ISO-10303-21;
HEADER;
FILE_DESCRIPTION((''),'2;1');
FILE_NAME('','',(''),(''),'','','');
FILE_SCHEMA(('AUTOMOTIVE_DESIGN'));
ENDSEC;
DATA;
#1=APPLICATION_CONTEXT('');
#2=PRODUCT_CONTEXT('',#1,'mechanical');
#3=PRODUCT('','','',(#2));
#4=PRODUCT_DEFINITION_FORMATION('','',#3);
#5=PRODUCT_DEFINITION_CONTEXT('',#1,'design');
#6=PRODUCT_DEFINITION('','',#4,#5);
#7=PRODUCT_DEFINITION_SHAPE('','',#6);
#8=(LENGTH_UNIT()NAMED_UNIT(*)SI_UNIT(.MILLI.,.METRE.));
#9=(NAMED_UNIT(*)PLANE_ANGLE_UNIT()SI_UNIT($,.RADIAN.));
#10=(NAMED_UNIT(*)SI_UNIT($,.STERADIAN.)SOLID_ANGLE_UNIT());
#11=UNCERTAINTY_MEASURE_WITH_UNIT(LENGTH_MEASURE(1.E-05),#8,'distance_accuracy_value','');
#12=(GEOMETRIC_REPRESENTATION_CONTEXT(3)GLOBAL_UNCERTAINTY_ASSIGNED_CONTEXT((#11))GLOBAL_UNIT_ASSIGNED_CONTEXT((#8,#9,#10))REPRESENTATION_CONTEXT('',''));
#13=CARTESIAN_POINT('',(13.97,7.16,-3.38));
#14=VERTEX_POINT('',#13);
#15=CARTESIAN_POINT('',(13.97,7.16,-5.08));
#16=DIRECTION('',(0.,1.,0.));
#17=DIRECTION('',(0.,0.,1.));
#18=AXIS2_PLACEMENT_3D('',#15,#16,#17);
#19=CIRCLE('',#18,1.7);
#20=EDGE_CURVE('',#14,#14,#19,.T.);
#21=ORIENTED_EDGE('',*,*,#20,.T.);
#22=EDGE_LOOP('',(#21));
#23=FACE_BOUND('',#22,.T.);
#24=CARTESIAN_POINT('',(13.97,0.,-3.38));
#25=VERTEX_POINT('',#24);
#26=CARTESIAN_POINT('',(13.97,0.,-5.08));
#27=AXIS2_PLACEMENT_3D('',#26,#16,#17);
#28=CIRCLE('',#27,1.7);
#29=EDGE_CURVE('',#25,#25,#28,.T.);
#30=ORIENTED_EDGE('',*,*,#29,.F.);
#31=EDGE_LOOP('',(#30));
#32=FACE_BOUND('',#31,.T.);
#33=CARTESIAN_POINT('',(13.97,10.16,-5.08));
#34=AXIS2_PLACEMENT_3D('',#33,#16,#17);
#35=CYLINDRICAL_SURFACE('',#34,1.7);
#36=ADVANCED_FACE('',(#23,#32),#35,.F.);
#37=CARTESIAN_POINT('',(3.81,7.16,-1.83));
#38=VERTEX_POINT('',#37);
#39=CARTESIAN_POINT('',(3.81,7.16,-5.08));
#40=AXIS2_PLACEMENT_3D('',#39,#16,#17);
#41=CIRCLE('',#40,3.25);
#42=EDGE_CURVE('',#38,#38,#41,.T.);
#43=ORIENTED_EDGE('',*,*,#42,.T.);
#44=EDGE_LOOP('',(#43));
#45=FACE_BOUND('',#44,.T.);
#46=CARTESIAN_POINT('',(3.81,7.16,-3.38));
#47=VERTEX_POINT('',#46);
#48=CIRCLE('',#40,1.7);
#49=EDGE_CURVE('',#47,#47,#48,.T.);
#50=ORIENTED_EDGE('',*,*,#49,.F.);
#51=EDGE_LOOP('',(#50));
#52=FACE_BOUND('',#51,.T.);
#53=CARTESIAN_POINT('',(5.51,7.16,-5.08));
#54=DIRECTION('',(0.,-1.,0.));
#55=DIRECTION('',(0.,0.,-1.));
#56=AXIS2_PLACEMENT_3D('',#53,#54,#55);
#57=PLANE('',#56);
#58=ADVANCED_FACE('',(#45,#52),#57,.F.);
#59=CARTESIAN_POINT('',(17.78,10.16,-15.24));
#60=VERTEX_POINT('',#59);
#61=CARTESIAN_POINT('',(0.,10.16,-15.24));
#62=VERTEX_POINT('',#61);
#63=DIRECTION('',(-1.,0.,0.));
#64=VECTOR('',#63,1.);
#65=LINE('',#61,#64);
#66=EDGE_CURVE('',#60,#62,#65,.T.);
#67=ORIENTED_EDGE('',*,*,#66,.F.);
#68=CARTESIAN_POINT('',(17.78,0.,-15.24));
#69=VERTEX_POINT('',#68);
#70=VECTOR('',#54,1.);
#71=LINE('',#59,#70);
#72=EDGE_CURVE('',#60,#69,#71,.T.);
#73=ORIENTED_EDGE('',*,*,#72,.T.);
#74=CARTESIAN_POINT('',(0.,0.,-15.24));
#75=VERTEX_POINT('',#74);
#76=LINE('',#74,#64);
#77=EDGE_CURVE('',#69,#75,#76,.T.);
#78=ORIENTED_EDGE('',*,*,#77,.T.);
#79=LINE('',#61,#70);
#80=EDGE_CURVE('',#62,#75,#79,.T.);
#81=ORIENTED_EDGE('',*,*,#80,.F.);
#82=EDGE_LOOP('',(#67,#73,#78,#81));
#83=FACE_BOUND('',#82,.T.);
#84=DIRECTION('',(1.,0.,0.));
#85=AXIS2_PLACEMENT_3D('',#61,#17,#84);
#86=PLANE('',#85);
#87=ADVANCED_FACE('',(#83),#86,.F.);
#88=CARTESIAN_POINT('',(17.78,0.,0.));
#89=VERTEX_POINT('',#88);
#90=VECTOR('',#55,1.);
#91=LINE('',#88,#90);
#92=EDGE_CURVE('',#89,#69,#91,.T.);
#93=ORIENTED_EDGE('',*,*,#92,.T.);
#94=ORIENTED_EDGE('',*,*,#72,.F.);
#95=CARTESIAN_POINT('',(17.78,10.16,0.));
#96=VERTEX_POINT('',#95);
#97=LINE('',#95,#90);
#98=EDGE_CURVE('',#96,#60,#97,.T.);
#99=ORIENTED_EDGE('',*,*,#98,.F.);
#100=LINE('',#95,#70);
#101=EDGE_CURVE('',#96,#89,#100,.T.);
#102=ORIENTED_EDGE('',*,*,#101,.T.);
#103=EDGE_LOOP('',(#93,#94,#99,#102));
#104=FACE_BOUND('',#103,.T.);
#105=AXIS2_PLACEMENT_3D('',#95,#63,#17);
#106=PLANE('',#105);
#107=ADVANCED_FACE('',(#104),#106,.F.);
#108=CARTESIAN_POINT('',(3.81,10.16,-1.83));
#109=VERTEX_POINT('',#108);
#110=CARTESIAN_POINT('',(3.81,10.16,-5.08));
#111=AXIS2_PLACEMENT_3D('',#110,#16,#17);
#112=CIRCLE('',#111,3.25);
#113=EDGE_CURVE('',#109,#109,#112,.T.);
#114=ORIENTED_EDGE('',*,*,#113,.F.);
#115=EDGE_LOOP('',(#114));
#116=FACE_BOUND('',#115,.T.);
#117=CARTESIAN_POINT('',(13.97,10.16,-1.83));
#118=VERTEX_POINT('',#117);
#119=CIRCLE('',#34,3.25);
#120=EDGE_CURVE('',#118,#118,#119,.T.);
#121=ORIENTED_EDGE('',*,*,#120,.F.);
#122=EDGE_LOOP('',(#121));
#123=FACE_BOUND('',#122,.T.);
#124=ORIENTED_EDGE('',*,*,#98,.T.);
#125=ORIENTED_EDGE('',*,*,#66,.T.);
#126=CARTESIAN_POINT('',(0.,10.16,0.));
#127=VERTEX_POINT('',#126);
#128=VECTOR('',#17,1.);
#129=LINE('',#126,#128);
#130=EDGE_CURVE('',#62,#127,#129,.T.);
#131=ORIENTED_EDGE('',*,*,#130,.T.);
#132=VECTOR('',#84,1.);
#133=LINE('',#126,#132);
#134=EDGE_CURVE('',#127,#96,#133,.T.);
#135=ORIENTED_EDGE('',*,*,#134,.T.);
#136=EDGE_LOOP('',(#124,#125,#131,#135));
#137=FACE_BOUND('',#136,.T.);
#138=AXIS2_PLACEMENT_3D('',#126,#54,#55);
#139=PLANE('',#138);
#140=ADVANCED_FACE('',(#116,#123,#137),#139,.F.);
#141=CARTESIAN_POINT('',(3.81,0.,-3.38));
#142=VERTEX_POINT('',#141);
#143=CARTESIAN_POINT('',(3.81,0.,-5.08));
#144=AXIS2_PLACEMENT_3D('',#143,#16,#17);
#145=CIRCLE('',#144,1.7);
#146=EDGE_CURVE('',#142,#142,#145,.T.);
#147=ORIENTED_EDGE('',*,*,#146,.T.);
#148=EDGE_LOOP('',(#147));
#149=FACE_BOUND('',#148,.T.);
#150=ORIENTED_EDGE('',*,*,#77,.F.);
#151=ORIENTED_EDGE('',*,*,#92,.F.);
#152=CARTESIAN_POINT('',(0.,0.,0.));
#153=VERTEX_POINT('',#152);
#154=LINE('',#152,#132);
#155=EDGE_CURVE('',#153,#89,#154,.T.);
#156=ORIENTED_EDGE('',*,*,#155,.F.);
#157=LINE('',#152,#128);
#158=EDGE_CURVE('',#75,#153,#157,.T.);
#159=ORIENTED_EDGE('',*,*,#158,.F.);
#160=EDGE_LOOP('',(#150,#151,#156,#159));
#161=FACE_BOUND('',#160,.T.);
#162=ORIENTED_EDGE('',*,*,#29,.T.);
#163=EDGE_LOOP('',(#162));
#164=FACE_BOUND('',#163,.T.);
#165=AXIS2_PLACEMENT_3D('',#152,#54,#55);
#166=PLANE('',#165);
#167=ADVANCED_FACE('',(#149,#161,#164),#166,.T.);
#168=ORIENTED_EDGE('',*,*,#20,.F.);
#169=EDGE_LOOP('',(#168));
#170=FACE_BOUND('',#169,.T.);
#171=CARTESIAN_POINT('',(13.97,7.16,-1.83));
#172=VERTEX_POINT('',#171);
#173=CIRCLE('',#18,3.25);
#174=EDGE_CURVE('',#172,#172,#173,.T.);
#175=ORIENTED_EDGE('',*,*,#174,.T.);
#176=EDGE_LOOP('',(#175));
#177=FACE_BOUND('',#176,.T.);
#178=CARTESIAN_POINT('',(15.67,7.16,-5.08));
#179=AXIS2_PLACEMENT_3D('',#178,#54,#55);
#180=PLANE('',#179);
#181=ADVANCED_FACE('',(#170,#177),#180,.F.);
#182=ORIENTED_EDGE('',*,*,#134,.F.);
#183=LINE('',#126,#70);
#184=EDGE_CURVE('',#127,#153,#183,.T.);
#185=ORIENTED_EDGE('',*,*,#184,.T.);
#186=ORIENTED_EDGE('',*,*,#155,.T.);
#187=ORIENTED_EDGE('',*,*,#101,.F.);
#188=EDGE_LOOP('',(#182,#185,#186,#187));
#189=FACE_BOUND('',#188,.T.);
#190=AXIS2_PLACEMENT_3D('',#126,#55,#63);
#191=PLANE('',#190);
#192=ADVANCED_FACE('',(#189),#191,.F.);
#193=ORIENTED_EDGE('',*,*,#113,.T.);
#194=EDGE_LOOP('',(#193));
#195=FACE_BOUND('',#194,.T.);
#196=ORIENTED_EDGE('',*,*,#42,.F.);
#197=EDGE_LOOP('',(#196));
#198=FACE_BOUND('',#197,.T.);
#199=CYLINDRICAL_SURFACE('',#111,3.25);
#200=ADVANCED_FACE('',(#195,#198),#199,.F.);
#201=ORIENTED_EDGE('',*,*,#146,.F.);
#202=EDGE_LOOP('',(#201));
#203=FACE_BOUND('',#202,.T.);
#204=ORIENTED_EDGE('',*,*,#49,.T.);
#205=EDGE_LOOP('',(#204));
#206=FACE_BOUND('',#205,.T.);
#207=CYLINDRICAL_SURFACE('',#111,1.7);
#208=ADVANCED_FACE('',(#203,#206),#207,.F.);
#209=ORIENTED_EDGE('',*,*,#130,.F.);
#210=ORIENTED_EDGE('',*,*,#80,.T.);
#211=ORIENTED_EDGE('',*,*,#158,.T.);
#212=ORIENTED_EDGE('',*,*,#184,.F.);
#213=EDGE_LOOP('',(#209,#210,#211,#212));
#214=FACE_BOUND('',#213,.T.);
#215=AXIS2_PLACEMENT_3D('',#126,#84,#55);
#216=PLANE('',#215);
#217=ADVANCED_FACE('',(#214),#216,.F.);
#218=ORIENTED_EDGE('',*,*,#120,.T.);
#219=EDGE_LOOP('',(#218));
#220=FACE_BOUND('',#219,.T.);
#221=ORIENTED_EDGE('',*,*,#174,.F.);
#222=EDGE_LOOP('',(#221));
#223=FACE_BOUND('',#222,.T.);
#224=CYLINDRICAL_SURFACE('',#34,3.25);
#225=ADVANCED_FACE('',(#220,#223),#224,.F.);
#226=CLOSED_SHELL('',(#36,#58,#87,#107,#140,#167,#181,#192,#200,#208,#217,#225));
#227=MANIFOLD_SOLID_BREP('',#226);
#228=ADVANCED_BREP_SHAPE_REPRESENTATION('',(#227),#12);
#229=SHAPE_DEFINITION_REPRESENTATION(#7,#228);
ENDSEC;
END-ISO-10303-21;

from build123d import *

# Parameters (mm, degrees)
SKETCH1_W                      = 17.78
SKETCH1_H                      = 15.24
BOSS_EXTRUDE1_DEPTH            = 10.16
CBORE_FOR_M3_SHCS1_D           = 3.4
CBORE_FOR_M3_SHCS1_CBORE_D     = 6.5
CBORE_FOR_M3_SHCS1_CBORE_DEPTH = 3


with BuildPart() as part:
    # Sketch1 → Boss-Extrude1 (new body)
    with BuildSketch(Plane(origin=(0, 0, 0), x_dir=(1, 0, 0), z_dir=(0, 1, 0))):
        with Locations((8.89, 7.62)):
            Rectangle(SKETCH1_W, SKETCH1_H)
    extrude(amount=BOSS_EXTRUDE1_DEPTH)

    # CBORE for M3 SHCS1 (through all)
    with Locations(Plane(origin=(0, 10.16, 0), x_dir=(1, 0, 0), z_dir=(0, 1, 0))):
        with Locations((3.81, 5.08), (13.97, 5.08)):
            CounterBoreHole(CBORE_FOR_M3_SHCS1_D / 2, CBORE_FOR_M3_SHCS1_CBORE_D / 2, CBORE_FOR_M3_SHCS1_CBORE_DEPTH)


solid = part.part
